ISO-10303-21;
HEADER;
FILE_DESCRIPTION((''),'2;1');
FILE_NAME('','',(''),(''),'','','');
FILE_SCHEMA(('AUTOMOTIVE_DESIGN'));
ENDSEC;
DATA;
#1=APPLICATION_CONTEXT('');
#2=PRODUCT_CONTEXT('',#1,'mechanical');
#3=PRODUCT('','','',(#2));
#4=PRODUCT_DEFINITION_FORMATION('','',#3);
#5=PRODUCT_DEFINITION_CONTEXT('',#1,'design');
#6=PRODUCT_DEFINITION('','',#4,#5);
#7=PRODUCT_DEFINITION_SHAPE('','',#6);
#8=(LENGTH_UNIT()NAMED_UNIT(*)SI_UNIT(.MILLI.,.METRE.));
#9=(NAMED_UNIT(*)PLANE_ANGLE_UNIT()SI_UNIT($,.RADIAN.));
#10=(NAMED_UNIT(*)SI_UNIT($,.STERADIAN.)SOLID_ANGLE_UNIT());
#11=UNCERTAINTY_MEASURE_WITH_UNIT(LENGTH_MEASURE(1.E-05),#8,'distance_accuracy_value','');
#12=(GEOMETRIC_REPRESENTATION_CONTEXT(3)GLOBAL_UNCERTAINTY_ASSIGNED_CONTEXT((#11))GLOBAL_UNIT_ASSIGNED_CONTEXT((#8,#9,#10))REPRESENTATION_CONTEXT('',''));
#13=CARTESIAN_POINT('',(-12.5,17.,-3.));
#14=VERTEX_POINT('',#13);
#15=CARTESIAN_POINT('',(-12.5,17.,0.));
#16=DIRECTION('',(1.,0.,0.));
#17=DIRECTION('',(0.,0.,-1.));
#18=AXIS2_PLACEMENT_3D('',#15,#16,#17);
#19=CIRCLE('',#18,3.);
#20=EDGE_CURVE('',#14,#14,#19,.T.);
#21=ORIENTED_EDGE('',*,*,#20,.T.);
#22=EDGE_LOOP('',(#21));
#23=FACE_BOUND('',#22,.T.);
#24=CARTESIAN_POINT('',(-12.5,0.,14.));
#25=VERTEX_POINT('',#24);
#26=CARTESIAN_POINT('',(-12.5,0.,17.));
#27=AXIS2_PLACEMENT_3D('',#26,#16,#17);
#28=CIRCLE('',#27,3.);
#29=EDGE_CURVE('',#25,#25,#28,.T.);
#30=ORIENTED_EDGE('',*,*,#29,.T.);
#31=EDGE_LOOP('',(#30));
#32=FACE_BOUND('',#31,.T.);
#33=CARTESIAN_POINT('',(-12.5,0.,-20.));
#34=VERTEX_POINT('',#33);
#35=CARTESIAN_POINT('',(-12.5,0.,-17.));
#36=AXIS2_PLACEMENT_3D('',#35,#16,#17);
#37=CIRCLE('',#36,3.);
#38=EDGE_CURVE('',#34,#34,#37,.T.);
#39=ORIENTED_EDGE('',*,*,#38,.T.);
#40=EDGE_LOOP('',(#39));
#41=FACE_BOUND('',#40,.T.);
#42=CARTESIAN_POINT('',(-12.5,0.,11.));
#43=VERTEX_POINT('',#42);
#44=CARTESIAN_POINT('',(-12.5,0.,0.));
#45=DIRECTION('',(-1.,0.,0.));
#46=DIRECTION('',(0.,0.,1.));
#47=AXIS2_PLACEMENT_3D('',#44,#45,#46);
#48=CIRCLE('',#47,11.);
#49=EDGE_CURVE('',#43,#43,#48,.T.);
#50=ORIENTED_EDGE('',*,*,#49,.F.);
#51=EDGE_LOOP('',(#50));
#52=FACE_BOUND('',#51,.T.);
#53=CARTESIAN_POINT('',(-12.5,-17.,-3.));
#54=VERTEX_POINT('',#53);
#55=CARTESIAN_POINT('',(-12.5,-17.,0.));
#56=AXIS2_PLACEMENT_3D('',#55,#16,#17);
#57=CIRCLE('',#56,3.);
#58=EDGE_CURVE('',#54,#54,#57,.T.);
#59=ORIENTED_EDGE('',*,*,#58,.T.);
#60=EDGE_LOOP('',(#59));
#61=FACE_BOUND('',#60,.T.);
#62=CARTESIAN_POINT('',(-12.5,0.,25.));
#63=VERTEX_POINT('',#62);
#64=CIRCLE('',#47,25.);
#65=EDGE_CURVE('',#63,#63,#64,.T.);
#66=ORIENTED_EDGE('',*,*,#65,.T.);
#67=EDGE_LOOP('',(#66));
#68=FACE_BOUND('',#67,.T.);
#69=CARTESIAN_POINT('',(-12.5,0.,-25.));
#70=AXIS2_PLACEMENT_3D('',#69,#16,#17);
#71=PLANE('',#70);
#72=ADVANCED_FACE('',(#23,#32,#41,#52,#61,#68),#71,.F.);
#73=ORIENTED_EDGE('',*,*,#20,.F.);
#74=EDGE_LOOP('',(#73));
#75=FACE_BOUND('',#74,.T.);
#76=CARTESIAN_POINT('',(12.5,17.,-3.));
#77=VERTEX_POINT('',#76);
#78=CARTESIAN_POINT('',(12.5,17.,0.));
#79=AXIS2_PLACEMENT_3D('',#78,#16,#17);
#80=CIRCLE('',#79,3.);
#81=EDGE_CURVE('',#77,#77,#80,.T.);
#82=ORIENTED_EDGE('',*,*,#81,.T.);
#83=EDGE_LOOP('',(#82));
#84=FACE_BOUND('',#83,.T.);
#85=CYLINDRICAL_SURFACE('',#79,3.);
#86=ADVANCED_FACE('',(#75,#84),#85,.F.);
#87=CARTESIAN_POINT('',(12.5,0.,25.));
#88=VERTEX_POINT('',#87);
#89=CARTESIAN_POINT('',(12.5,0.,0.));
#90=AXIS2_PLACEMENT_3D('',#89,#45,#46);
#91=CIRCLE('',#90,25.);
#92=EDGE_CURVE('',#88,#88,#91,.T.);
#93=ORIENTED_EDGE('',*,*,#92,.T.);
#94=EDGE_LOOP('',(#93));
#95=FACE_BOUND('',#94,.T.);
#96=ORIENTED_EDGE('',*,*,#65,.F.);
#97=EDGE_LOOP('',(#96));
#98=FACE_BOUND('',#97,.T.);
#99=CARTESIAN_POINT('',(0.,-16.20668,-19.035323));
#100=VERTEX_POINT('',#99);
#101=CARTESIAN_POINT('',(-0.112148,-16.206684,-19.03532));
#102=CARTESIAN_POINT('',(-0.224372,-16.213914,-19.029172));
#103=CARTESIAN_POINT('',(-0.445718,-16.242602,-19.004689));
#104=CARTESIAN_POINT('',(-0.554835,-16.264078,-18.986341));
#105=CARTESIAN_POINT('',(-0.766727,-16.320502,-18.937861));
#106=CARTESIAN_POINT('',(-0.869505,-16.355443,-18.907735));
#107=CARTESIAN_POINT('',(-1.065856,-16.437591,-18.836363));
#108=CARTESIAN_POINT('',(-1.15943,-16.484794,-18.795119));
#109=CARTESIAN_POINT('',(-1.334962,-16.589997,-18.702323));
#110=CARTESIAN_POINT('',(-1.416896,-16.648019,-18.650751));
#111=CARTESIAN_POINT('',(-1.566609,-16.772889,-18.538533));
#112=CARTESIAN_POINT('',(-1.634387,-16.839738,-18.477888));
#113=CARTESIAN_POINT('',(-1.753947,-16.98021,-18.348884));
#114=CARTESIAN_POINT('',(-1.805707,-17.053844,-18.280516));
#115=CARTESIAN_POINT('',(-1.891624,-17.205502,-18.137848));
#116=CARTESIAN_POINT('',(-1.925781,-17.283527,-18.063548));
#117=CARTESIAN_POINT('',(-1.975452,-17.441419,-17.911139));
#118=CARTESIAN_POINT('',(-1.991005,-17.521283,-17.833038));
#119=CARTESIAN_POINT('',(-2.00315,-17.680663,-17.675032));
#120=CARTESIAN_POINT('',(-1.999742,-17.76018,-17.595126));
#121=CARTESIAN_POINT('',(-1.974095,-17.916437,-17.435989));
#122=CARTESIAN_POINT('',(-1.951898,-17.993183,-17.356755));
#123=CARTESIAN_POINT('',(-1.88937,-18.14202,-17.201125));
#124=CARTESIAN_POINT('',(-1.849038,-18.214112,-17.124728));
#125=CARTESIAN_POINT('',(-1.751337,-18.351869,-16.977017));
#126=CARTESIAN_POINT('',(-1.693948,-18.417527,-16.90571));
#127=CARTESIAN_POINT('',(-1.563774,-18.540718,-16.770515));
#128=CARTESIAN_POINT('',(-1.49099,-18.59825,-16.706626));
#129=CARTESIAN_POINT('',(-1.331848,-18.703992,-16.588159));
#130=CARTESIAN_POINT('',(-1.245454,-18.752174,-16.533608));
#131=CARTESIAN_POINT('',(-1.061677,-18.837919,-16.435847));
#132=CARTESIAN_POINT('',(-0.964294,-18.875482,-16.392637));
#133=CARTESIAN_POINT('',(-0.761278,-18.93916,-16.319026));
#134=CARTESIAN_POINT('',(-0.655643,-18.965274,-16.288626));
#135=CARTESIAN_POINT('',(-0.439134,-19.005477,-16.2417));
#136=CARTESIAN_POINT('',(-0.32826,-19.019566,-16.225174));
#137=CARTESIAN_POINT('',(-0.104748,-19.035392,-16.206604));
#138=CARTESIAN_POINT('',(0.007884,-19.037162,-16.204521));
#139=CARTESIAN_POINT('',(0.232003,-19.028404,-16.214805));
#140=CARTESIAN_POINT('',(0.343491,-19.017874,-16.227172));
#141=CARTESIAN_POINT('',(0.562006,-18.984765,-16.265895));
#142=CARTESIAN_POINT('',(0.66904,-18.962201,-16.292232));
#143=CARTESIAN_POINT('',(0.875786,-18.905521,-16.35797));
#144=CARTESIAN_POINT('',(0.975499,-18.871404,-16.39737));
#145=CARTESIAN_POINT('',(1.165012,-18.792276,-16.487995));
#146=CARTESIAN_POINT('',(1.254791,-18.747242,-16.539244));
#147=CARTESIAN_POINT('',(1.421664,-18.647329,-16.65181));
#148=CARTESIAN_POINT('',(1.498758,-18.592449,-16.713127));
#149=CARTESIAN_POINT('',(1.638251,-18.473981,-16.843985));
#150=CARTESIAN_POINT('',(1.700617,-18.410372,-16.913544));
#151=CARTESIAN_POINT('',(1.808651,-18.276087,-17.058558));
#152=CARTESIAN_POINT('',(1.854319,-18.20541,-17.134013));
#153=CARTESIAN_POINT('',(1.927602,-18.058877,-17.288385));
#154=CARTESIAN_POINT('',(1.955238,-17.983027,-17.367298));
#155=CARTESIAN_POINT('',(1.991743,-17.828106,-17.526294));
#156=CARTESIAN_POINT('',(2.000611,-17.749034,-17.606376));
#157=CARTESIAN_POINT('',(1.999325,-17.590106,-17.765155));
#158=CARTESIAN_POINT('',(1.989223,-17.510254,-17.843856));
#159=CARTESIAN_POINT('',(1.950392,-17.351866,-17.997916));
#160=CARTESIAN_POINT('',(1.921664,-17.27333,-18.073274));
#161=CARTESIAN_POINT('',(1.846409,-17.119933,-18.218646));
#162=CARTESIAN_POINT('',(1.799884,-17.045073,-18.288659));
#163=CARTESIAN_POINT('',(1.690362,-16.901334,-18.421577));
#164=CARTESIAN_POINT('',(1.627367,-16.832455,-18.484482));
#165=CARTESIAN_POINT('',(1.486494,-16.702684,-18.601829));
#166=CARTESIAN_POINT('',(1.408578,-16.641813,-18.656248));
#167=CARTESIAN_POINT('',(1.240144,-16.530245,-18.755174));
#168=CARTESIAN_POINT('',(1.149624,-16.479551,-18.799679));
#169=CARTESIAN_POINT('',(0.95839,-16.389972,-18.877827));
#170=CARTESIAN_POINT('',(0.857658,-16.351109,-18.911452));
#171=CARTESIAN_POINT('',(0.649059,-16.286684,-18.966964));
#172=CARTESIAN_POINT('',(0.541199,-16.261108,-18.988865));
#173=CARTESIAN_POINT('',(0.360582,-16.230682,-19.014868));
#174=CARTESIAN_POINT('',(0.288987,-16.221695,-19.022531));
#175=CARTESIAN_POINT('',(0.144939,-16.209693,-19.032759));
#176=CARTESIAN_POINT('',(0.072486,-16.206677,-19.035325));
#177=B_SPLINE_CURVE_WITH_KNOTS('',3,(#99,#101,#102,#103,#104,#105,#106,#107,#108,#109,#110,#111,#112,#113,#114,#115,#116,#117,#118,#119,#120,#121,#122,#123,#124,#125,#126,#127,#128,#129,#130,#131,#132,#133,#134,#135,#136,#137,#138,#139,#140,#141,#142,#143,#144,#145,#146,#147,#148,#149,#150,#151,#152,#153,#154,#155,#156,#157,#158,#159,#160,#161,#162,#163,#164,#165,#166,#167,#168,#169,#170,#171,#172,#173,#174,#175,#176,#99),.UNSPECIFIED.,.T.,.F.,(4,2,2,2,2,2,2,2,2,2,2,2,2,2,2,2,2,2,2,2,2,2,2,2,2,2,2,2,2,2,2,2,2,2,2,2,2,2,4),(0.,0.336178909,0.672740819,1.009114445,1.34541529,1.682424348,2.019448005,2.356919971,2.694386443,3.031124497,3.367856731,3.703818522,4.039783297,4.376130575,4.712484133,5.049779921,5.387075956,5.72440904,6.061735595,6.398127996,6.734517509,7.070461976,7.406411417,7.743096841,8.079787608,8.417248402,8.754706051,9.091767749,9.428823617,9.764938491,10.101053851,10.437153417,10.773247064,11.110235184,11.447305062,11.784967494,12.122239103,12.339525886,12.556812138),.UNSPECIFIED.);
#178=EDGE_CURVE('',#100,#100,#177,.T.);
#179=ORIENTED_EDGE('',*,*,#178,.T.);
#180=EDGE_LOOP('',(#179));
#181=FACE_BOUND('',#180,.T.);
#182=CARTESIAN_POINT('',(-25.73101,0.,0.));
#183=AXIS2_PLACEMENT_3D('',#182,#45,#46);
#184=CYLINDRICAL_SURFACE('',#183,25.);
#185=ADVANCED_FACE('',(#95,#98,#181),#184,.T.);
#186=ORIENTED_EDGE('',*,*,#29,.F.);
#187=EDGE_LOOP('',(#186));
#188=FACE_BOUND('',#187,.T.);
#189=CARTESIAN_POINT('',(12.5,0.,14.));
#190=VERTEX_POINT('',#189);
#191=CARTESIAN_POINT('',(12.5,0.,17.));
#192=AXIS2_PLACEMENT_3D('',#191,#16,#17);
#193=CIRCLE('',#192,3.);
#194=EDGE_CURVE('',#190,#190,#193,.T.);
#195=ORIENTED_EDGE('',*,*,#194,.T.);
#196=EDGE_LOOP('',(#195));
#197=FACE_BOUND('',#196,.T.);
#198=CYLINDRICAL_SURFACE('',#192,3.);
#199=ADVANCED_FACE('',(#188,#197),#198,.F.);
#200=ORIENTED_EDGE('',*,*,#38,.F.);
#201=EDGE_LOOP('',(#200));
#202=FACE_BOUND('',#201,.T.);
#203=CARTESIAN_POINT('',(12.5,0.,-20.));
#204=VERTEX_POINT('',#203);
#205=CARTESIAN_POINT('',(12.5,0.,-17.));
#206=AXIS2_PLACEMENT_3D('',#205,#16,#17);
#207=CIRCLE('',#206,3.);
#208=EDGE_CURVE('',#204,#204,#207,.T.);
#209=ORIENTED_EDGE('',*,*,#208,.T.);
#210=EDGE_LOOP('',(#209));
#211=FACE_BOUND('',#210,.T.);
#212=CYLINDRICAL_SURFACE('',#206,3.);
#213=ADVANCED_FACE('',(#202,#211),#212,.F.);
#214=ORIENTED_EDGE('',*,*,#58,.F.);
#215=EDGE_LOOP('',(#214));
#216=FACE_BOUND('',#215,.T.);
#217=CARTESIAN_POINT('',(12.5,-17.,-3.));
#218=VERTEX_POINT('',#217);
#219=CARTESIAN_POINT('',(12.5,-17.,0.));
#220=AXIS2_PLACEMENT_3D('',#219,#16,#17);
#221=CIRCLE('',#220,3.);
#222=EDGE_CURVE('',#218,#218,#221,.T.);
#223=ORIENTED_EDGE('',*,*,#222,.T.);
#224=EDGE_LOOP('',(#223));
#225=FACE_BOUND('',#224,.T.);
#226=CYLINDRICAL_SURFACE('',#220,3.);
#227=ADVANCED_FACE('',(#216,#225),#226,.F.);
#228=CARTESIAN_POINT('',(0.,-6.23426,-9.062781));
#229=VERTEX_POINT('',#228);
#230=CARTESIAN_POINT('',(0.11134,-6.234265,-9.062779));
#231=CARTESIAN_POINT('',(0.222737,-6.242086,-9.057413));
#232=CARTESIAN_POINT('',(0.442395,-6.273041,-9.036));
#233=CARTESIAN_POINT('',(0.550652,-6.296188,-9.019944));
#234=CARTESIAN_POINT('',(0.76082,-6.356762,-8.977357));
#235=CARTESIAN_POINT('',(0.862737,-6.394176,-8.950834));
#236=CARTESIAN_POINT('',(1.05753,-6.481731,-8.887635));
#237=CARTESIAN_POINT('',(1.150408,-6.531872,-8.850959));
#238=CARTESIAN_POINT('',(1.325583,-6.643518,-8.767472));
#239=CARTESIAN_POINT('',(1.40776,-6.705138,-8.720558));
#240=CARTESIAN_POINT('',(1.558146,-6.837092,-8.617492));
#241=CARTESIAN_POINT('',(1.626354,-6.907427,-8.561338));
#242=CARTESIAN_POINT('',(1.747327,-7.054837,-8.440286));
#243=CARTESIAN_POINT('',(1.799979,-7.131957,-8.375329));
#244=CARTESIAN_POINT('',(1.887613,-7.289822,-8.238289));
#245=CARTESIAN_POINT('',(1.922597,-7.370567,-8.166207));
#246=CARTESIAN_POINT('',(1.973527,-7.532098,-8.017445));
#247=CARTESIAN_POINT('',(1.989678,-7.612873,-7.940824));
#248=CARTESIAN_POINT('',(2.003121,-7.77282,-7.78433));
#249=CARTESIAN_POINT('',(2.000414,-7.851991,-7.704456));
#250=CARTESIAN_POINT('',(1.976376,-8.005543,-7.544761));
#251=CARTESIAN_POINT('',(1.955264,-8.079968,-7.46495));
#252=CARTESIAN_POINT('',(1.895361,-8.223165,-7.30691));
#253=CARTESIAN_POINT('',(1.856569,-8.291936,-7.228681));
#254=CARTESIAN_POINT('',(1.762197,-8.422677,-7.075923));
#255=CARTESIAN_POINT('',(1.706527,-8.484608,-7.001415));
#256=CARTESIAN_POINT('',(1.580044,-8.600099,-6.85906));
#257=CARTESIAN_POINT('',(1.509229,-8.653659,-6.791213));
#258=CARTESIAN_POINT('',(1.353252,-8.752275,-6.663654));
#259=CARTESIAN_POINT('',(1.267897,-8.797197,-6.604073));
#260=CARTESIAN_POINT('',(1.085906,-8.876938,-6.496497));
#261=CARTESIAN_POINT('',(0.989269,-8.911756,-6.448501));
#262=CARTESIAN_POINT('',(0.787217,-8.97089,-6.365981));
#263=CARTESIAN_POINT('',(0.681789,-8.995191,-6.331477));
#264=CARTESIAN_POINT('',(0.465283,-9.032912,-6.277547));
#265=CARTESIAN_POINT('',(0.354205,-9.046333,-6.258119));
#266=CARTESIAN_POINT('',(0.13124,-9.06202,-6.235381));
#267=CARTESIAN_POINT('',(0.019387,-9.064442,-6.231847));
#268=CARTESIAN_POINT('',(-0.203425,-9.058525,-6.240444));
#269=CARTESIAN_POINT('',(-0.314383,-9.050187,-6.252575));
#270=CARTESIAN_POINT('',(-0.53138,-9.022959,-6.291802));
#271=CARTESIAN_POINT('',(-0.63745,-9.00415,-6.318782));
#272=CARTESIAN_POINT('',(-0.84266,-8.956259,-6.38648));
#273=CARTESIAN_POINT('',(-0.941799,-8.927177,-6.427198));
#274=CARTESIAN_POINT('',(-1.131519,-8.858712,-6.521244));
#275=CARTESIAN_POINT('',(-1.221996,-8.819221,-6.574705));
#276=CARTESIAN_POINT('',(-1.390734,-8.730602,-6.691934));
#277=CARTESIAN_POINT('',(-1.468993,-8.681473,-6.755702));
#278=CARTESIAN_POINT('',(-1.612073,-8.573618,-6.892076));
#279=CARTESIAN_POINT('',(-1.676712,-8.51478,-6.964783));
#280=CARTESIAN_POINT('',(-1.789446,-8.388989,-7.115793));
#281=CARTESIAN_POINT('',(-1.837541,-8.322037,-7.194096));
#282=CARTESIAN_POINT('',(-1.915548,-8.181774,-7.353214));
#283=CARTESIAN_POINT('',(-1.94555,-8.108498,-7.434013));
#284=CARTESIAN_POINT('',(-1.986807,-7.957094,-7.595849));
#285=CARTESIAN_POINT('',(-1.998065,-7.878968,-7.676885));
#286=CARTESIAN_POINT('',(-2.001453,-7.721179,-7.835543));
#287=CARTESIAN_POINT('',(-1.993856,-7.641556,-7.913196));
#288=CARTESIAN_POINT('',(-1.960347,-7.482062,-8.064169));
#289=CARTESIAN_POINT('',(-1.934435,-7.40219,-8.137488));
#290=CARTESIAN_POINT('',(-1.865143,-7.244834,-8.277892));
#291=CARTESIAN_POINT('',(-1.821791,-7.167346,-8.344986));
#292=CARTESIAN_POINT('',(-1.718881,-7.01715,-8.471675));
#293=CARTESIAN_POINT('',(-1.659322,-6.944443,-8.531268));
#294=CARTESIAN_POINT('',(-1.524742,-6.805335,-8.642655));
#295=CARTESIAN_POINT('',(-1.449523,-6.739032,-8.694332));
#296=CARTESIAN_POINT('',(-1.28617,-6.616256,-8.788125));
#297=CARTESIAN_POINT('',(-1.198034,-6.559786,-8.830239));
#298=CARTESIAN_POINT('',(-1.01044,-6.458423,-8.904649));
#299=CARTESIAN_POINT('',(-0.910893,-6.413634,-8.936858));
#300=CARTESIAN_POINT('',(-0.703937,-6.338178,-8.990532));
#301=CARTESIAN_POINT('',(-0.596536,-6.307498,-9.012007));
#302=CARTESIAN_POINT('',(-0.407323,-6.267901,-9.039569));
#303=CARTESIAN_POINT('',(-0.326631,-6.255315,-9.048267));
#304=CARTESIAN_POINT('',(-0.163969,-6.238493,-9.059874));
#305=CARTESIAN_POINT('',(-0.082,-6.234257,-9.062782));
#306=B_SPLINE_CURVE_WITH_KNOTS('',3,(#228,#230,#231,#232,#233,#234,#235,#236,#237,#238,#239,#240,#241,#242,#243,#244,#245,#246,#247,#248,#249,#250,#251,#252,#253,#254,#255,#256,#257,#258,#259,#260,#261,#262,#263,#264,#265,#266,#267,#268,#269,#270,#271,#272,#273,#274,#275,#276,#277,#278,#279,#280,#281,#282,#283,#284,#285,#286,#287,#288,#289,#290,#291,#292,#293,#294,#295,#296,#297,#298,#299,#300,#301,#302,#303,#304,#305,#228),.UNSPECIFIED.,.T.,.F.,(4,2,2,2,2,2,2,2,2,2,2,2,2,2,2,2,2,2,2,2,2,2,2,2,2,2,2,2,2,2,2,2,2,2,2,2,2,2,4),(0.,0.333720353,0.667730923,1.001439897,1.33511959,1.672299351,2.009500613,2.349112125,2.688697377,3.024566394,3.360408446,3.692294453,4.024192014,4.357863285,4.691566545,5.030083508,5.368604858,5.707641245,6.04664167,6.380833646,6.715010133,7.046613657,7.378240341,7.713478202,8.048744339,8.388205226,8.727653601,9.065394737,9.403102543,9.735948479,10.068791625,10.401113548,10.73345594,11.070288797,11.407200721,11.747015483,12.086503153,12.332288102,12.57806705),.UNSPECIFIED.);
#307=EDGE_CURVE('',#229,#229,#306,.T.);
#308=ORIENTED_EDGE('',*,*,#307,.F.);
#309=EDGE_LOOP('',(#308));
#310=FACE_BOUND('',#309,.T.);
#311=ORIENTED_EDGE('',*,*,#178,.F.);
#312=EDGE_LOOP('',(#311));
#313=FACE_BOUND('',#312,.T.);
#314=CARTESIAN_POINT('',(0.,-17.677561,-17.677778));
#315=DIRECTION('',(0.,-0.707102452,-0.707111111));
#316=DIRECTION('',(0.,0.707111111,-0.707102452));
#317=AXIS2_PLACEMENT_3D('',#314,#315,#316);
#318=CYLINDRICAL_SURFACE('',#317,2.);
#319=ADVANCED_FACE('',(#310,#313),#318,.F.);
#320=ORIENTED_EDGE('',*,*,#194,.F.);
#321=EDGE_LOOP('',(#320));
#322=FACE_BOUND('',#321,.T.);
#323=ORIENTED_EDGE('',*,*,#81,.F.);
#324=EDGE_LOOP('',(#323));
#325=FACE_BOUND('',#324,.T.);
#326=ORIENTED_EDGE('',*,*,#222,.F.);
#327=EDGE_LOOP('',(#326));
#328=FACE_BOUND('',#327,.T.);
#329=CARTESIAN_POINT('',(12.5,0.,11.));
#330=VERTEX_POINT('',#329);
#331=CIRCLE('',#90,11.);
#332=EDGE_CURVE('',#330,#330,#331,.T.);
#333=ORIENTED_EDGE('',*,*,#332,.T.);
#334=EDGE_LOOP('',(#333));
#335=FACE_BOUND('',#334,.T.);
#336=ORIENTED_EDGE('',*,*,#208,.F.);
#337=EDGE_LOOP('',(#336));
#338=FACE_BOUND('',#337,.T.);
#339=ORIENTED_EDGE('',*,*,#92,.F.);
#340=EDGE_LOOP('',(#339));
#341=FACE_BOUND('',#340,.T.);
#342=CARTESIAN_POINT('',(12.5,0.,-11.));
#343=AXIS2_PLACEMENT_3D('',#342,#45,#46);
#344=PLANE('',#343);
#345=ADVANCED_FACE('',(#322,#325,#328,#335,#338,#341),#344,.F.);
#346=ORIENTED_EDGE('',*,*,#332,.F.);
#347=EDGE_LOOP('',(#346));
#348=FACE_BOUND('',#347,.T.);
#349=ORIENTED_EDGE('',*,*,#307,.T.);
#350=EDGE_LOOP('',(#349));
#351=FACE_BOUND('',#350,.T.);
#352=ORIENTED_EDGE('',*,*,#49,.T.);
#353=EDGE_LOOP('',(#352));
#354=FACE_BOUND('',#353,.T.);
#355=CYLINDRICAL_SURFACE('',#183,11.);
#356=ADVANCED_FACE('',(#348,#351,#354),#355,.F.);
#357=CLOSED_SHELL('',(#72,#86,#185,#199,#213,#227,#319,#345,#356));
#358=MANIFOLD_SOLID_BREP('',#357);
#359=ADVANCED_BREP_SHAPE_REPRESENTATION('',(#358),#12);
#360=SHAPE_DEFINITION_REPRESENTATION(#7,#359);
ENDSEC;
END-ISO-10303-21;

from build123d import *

# Parameters (mm, degrees)
SKETCH1_W                  = 25
SKETCH1_H                  = 14
F_6_0MM_DOWEL_HOLE1_D      = 6
CIRPATTERN1_COUNT          = 4
F_4_0MM_DOWEL_HOLE1_REACH  = 63.636
F_4_0MM_DOWEL_HOLE1_BORE_R = 2


with BuildPart() as part:
    # Sketch1 → Revolve2 (revolve)
    with BuildSketch(Plane(origin=(0, 0, 0), x_dir=(1, 0, 0), z_dir=(0, 1, 0)), mode=Mode.PRIVATE) as revolve2_sk:
        with Locations((0, 18)):
            Rectangle(SKETCH1_W, SKETCH1_H)
    revolve(revolve2_sk.sketch.rotate(Axis((-25.731009954, 0, 0), (1, 0, 0)), 180), axis=Axis((-25.731009954, 0, 0), (1, 0, 0)))

    # Ø6.0mm Dowel Hole1 (through all)
    with Locations(Plane(origin=(12.5, 0, 0), x_dir=(0, 0, -1), z_dir=(1, 0, 0))):
        with Locations((0, 17)):
            f_6_0mm_dowel_hole1 = Hole(F_6_0MM_DOWEL_HOLE1_D / 2)

    # CirPattern1: Ø6.0mm Dowel Hole1 ×4 about axis
    cirpattern1_axis = Axis((0, 0, 0), (1, 0, 0))
    for i in range(1, CIRPATTERN1_COUNT):
        add(f_6_0mm_dowel_hole1.rotate(cirpattern1_axis, i * 360 / CIRPATTERN1_COUNT), mode=Mode.SUBTRACT)

    # Ø4.0mm Dowel Hole1 bore (on position points) → Ø4.0mm Dowel Hole1 (cut, up to next)
    with BuildSketch(Plane(origin=(0, -17.677561289, -17.67777777), x_dir=(0, -0.7071111108, 0.707102451547), z_dir=(0, -0.707102451547, -0.7071111108)), mode=Mode.PRIVATE) as f_4_0mm_dowel_hole1_sk1:
        Circle(F_4_0MM_DOWEL_HOLE1_BORE_R)
    f_4_0mm_dowel_hole1_tool1 = extrude(f_4_0mm_dowel_hole1_sk1.sketch, amount=-F_4_0MM_DOWEL_HOLE1_REACH, mode=Mode.PRIVATE) & part.part
    add(f_4_0mm_dowel_hole1_tool1.solids().sort_by_distance((0, -17.677561, -17.677778))[0], mode=Mode.SUBTRACT)


solid = part.part
